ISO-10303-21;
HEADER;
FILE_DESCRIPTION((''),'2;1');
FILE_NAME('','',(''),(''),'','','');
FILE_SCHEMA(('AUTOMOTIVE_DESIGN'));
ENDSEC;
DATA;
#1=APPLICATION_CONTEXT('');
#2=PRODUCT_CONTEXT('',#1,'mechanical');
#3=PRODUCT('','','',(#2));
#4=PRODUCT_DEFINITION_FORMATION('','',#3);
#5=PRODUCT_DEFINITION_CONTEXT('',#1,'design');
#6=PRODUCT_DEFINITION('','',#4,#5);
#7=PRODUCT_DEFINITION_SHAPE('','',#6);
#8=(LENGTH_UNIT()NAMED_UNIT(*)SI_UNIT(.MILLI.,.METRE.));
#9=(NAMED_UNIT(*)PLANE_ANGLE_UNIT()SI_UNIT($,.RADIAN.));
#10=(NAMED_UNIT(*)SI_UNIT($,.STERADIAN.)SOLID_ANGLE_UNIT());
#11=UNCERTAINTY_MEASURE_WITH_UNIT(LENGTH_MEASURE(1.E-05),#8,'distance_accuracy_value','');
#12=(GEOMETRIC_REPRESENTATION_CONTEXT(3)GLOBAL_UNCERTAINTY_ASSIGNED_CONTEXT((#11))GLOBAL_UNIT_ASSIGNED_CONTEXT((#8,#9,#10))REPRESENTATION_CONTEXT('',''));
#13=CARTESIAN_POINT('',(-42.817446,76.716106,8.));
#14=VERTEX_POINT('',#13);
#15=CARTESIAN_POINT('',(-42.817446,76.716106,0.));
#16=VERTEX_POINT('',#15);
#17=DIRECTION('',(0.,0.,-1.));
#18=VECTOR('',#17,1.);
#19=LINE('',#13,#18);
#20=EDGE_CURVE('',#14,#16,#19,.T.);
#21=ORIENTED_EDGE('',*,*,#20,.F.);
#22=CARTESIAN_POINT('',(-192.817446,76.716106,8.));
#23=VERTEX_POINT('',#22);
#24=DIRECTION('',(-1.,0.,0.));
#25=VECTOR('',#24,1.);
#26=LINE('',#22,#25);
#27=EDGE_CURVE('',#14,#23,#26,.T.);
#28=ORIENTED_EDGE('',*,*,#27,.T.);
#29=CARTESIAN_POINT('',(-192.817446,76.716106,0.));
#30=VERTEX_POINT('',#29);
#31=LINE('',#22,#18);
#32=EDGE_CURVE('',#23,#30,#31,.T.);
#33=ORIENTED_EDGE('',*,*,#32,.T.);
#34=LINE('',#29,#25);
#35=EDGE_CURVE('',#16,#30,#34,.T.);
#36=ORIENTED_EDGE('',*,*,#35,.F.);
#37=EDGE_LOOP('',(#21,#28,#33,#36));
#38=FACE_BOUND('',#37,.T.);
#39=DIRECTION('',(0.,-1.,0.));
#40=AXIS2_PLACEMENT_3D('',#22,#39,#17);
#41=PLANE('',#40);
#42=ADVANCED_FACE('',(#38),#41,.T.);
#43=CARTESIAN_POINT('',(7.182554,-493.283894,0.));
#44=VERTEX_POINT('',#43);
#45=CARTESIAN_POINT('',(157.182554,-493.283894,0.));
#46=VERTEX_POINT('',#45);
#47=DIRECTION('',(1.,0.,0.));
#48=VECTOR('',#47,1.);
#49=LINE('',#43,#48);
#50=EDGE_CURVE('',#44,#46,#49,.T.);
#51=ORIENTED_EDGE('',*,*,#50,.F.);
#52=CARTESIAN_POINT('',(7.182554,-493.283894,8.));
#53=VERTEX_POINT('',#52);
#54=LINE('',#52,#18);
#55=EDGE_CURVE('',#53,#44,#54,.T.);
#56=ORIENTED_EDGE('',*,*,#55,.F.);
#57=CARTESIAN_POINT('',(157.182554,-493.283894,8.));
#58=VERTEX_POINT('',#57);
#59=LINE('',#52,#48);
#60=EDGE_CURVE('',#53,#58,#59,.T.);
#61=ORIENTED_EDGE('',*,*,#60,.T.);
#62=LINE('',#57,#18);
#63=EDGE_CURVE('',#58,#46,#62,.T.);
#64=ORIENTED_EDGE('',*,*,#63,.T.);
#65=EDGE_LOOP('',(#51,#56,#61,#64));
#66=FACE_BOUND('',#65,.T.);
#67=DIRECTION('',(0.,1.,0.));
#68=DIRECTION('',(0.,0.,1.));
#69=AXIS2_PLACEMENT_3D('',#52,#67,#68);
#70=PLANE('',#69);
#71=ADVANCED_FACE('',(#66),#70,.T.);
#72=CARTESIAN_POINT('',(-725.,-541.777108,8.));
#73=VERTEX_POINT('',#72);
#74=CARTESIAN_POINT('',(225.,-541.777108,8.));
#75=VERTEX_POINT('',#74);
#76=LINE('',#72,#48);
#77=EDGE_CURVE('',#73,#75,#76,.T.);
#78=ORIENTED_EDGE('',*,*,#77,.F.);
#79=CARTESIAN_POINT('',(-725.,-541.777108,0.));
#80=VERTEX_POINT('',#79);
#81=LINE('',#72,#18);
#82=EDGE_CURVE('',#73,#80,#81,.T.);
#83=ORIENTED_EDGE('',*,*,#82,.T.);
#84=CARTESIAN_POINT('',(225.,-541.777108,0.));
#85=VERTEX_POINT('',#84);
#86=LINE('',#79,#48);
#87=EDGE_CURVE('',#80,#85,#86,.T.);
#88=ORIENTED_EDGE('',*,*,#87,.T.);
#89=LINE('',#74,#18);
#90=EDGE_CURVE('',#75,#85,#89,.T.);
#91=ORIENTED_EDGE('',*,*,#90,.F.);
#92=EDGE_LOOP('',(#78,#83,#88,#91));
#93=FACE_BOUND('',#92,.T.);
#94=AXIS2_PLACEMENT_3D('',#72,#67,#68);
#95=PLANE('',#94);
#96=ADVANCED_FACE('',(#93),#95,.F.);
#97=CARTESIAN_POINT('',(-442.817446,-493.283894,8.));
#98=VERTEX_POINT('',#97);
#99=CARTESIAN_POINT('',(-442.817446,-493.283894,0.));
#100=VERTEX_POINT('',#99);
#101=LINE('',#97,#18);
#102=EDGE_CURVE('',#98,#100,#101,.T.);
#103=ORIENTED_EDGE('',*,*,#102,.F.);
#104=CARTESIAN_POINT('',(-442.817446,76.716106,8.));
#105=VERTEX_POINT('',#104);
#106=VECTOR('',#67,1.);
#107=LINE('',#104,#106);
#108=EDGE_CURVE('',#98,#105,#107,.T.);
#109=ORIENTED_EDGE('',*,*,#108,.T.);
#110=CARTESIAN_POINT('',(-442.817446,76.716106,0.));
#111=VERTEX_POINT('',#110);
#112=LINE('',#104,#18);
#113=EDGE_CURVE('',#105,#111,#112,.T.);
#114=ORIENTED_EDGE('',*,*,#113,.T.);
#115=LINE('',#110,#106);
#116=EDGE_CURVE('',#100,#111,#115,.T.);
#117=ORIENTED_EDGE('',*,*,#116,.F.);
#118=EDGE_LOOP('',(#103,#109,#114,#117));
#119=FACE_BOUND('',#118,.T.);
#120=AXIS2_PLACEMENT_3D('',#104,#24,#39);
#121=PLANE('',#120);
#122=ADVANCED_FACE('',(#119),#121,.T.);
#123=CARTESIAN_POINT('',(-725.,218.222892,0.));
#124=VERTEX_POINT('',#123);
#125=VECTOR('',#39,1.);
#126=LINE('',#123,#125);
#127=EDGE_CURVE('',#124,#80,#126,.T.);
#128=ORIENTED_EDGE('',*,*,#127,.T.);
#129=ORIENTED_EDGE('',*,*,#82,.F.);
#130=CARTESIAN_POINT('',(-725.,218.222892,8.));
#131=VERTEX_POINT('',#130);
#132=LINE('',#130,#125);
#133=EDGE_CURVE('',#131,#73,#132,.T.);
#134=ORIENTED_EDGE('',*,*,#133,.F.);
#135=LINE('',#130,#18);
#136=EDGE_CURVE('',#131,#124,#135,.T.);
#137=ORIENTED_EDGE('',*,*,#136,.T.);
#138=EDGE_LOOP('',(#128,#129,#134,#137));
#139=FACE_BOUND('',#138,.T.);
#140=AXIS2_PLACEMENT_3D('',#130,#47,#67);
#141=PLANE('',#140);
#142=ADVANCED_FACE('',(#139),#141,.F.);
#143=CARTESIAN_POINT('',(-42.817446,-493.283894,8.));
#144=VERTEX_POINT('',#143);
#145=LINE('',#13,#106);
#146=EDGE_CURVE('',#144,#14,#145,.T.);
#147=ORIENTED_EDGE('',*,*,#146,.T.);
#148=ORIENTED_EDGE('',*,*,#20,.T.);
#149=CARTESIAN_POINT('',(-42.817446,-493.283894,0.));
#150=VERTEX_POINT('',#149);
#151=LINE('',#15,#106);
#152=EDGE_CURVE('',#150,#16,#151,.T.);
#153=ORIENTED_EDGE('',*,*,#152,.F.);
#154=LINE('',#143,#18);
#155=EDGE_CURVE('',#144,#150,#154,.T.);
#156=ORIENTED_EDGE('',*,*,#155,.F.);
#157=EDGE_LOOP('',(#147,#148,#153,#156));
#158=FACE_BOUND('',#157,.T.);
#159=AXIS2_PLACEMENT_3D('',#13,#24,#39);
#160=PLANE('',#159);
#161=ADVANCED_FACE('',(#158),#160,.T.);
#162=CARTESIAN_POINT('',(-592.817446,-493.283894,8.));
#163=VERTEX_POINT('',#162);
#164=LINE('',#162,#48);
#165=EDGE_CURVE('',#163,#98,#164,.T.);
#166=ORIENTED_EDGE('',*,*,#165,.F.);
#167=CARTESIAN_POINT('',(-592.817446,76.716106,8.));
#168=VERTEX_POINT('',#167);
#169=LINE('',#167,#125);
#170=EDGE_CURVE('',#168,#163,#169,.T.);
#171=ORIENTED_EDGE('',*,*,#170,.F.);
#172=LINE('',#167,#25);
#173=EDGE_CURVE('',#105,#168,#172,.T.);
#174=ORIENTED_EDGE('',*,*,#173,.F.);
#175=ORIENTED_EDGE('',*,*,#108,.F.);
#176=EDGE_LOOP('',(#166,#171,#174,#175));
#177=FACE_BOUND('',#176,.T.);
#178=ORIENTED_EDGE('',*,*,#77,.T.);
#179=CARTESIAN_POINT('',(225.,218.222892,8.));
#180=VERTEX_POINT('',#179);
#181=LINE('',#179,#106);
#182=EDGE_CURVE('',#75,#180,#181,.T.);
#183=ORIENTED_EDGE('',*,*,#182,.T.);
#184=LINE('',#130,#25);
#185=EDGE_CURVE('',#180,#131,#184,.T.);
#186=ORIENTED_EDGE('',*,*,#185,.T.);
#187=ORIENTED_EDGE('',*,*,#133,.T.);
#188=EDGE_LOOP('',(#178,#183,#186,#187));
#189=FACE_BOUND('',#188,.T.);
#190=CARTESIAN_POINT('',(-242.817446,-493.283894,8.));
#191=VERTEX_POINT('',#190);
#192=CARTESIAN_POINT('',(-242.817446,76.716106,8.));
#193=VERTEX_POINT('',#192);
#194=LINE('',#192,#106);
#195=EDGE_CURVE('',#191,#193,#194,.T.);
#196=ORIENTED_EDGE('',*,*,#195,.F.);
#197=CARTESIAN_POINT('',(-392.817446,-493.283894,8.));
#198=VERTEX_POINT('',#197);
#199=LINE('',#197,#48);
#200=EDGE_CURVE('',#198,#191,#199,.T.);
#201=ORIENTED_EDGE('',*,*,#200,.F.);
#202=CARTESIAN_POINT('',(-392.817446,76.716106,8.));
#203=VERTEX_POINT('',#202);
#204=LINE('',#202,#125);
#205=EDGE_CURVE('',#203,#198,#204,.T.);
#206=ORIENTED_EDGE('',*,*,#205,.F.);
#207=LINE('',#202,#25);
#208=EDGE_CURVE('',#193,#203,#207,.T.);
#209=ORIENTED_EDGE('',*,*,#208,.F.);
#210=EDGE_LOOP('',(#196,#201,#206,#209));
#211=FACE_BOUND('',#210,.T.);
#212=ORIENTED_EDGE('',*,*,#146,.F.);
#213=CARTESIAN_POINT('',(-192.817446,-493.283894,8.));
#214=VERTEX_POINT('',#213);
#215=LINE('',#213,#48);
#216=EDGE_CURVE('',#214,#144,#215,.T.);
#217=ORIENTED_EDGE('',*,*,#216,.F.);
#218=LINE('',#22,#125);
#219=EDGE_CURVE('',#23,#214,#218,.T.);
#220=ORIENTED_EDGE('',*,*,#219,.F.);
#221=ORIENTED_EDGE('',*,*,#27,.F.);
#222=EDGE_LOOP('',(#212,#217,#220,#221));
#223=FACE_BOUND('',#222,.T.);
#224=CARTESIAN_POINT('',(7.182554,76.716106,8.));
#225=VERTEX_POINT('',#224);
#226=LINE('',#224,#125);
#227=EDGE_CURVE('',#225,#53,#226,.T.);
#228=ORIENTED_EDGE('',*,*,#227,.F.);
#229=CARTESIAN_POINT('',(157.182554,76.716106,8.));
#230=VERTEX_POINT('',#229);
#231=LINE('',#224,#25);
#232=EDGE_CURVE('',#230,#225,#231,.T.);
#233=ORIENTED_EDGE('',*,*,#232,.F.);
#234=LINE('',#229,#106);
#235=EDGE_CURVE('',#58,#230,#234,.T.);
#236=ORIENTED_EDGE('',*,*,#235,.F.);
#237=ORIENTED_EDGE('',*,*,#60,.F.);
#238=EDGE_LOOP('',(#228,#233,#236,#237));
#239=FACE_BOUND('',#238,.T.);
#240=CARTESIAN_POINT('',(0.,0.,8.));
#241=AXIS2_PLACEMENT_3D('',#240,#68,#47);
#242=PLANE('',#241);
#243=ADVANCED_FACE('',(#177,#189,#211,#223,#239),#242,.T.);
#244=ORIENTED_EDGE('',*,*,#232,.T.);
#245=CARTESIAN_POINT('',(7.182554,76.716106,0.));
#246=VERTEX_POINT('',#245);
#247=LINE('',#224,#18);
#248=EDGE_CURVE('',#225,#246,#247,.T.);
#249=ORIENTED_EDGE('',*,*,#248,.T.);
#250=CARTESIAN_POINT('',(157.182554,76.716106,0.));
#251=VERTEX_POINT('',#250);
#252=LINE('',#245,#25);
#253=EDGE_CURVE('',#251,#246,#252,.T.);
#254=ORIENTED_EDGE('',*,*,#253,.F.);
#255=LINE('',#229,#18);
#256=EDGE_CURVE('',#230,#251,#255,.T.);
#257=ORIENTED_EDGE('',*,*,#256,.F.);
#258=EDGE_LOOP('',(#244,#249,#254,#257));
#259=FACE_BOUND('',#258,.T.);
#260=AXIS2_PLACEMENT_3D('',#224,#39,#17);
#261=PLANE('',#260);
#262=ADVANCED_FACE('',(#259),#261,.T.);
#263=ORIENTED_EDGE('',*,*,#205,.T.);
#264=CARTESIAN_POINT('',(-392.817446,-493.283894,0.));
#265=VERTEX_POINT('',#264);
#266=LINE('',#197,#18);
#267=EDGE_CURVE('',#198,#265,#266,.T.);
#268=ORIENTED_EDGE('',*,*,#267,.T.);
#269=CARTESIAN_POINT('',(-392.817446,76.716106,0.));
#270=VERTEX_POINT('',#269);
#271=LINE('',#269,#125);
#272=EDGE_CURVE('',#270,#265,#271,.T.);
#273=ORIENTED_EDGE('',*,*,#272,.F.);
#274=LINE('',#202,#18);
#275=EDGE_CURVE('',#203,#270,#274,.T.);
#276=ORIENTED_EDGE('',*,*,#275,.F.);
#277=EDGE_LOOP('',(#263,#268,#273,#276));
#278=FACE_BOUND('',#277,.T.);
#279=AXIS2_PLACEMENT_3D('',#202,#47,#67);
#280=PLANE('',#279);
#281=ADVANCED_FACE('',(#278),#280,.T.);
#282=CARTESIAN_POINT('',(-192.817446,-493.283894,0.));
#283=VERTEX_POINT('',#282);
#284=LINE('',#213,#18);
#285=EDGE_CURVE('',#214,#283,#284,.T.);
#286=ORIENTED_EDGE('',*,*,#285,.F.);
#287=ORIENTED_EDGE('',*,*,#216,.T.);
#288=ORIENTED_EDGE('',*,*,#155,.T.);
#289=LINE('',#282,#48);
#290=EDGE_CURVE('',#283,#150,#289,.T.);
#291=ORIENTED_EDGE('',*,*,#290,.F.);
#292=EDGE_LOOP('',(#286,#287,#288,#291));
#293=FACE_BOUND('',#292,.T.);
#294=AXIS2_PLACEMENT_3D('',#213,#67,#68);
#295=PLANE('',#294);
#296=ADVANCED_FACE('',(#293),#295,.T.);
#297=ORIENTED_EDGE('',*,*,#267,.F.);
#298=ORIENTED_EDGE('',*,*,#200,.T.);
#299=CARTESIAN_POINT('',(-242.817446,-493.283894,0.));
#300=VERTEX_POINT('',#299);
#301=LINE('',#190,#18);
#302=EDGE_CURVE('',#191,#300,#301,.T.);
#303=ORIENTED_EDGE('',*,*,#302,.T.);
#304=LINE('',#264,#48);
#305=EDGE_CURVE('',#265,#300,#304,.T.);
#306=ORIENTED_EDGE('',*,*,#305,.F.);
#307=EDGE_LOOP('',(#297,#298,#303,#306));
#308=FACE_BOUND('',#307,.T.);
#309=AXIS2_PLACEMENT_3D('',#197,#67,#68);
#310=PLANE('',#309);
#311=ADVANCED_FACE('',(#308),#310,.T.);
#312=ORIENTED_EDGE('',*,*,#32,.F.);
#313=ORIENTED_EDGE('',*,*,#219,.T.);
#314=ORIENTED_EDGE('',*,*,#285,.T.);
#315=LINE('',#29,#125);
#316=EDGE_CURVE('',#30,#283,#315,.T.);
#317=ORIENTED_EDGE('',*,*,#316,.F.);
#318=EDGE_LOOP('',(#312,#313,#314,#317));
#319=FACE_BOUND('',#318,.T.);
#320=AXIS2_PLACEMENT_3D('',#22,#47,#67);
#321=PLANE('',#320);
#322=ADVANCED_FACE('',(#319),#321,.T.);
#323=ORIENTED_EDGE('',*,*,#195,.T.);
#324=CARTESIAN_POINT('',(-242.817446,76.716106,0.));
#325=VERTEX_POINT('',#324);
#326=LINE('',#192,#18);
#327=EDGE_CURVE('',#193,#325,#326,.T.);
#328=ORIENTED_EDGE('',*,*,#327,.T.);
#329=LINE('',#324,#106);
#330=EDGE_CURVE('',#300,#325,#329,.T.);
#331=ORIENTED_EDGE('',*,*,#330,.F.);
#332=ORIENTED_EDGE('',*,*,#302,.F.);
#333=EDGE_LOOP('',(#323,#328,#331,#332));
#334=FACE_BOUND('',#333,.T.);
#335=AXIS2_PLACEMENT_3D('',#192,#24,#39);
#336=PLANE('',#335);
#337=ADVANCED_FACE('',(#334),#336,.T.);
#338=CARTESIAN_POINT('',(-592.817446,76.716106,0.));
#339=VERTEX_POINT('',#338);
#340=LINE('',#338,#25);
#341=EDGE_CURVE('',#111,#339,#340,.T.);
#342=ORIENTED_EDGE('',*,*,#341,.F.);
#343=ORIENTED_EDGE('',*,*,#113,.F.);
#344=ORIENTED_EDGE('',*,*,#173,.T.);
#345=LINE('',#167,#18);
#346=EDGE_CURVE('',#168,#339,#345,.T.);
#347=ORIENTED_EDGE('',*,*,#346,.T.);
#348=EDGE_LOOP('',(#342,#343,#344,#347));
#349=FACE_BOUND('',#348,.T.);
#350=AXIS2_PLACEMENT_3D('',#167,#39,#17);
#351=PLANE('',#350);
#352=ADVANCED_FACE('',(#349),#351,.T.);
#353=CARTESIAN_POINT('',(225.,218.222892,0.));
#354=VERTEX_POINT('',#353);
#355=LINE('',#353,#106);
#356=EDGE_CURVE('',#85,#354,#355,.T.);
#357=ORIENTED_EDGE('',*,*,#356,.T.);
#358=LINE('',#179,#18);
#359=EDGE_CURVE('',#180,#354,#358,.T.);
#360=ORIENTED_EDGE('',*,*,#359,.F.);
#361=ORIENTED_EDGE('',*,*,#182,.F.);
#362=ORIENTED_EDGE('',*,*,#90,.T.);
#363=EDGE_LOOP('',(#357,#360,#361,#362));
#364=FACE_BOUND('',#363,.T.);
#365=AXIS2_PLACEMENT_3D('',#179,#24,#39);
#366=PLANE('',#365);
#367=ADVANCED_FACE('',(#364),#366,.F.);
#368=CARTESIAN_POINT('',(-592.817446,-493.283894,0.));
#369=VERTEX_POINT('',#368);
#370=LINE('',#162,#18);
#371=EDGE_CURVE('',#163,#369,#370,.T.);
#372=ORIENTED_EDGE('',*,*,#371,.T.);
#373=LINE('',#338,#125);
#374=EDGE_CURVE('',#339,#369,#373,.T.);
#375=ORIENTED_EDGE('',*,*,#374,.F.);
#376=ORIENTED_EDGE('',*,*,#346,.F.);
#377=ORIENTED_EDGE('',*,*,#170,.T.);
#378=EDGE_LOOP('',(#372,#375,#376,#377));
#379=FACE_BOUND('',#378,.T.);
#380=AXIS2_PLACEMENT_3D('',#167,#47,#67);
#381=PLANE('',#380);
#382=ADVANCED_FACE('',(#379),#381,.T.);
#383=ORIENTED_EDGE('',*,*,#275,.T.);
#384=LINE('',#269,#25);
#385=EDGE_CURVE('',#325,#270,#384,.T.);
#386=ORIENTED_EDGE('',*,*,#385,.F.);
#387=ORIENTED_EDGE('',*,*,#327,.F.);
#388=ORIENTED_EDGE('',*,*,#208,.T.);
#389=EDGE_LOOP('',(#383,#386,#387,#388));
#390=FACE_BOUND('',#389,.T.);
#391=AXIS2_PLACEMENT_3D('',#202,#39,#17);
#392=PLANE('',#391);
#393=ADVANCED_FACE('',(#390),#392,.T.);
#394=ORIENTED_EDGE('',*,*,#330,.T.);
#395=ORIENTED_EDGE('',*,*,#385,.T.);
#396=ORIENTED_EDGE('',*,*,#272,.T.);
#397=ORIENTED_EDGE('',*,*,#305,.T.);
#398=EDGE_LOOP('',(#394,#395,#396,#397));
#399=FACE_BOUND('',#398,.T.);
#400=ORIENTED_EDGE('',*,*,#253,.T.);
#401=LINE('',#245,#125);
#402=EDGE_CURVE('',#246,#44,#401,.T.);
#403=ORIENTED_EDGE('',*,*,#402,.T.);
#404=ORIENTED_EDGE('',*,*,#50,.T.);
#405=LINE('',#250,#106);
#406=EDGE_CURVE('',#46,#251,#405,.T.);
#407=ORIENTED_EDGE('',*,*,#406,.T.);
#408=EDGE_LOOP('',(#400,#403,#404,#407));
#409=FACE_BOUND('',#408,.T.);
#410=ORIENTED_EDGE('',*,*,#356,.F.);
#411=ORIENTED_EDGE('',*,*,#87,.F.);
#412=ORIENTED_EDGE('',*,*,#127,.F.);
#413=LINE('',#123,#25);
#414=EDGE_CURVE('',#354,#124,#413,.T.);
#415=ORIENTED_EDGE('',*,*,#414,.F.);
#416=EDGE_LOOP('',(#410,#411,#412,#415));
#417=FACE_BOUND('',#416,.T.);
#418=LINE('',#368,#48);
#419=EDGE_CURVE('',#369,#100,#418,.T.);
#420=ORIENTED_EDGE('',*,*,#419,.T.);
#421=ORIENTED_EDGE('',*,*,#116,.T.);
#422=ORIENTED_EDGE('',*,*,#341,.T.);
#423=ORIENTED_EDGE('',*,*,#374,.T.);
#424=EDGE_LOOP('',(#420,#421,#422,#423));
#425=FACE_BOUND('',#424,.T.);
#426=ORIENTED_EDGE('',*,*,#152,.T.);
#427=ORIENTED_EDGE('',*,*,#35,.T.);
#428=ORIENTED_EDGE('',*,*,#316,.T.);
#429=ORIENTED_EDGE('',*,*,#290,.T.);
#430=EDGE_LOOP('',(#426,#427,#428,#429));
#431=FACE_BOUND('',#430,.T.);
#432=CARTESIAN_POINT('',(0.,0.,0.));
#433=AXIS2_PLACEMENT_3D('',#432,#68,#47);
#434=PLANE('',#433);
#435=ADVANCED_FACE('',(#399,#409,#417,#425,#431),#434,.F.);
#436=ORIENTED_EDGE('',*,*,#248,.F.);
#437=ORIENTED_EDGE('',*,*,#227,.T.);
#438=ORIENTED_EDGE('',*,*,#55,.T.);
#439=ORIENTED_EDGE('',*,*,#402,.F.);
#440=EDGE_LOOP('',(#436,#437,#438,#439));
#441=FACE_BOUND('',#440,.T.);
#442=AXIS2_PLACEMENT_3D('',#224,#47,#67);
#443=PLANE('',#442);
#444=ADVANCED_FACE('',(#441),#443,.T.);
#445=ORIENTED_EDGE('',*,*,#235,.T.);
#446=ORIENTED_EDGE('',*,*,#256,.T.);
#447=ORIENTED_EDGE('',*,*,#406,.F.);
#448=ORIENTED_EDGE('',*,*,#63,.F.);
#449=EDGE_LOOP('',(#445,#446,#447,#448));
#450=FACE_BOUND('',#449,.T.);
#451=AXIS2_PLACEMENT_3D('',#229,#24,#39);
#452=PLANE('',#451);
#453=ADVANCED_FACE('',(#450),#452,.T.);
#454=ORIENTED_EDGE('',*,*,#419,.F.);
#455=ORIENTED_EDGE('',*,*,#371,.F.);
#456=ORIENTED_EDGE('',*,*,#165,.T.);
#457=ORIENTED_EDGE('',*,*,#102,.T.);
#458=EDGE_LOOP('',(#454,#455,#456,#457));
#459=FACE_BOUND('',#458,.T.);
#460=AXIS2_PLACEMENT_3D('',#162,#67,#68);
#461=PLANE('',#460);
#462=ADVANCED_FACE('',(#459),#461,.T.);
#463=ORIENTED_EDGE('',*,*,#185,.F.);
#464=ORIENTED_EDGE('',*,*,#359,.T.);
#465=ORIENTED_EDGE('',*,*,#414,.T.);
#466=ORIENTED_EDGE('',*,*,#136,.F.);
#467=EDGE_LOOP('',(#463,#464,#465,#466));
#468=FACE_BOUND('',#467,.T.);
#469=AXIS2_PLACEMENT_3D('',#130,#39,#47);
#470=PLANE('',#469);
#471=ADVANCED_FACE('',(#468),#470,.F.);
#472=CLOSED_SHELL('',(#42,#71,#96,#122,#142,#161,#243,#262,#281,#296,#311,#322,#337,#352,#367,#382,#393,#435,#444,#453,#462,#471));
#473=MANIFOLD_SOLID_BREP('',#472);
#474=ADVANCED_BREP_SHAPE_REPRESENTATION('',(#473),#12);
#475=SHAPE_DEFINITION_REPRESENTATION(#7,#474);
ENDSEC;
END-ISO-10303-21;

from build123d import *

# Parameters (mm, degrees)
SKETCH1_W           = 950
SKETCH1_H           = 760
SKETCH1_W_2         = 150
SKETCH1_H_2         = 570
BOSS_EXTRUDE1_DEPTH = 8


with BuildPart() as part:
    # Sketch1 → Boss-Extrude1 (new body)
    with BuildSketch(Plane.XY):
        with Locations((-250, -161.777108434)):
            Rectangle(SKETCH1_W, SKETCH1_H)
        with Locations((-317.817445786, -208.283894146)):
            Rectangle(SKETCH1_W_2, SKETCH1_H_2, mode=Mode.SUBTRACT)
        with Locations((-517.817445786, -208.283894146)):
            Rectangle(SKETCH1_W_2, SKETCH1_H_2, mode=Mode.SUBTRACT)
        with Locations((-117.817445786, -208.283894146)):
            Rectangle(SKETCH1_W_2, SKETCH1_H_2, mode=Mode.SUBTRACT)
        with Locations((82.182554214, -208.283894146)):
            Rectangle(SKETCH1_W_2, SKETCH1_H_2, mode=Mode.SUBTRACT)
    extrude(amount=BOSS_EXTRUDE1_DEPTH)


solid = part.part
